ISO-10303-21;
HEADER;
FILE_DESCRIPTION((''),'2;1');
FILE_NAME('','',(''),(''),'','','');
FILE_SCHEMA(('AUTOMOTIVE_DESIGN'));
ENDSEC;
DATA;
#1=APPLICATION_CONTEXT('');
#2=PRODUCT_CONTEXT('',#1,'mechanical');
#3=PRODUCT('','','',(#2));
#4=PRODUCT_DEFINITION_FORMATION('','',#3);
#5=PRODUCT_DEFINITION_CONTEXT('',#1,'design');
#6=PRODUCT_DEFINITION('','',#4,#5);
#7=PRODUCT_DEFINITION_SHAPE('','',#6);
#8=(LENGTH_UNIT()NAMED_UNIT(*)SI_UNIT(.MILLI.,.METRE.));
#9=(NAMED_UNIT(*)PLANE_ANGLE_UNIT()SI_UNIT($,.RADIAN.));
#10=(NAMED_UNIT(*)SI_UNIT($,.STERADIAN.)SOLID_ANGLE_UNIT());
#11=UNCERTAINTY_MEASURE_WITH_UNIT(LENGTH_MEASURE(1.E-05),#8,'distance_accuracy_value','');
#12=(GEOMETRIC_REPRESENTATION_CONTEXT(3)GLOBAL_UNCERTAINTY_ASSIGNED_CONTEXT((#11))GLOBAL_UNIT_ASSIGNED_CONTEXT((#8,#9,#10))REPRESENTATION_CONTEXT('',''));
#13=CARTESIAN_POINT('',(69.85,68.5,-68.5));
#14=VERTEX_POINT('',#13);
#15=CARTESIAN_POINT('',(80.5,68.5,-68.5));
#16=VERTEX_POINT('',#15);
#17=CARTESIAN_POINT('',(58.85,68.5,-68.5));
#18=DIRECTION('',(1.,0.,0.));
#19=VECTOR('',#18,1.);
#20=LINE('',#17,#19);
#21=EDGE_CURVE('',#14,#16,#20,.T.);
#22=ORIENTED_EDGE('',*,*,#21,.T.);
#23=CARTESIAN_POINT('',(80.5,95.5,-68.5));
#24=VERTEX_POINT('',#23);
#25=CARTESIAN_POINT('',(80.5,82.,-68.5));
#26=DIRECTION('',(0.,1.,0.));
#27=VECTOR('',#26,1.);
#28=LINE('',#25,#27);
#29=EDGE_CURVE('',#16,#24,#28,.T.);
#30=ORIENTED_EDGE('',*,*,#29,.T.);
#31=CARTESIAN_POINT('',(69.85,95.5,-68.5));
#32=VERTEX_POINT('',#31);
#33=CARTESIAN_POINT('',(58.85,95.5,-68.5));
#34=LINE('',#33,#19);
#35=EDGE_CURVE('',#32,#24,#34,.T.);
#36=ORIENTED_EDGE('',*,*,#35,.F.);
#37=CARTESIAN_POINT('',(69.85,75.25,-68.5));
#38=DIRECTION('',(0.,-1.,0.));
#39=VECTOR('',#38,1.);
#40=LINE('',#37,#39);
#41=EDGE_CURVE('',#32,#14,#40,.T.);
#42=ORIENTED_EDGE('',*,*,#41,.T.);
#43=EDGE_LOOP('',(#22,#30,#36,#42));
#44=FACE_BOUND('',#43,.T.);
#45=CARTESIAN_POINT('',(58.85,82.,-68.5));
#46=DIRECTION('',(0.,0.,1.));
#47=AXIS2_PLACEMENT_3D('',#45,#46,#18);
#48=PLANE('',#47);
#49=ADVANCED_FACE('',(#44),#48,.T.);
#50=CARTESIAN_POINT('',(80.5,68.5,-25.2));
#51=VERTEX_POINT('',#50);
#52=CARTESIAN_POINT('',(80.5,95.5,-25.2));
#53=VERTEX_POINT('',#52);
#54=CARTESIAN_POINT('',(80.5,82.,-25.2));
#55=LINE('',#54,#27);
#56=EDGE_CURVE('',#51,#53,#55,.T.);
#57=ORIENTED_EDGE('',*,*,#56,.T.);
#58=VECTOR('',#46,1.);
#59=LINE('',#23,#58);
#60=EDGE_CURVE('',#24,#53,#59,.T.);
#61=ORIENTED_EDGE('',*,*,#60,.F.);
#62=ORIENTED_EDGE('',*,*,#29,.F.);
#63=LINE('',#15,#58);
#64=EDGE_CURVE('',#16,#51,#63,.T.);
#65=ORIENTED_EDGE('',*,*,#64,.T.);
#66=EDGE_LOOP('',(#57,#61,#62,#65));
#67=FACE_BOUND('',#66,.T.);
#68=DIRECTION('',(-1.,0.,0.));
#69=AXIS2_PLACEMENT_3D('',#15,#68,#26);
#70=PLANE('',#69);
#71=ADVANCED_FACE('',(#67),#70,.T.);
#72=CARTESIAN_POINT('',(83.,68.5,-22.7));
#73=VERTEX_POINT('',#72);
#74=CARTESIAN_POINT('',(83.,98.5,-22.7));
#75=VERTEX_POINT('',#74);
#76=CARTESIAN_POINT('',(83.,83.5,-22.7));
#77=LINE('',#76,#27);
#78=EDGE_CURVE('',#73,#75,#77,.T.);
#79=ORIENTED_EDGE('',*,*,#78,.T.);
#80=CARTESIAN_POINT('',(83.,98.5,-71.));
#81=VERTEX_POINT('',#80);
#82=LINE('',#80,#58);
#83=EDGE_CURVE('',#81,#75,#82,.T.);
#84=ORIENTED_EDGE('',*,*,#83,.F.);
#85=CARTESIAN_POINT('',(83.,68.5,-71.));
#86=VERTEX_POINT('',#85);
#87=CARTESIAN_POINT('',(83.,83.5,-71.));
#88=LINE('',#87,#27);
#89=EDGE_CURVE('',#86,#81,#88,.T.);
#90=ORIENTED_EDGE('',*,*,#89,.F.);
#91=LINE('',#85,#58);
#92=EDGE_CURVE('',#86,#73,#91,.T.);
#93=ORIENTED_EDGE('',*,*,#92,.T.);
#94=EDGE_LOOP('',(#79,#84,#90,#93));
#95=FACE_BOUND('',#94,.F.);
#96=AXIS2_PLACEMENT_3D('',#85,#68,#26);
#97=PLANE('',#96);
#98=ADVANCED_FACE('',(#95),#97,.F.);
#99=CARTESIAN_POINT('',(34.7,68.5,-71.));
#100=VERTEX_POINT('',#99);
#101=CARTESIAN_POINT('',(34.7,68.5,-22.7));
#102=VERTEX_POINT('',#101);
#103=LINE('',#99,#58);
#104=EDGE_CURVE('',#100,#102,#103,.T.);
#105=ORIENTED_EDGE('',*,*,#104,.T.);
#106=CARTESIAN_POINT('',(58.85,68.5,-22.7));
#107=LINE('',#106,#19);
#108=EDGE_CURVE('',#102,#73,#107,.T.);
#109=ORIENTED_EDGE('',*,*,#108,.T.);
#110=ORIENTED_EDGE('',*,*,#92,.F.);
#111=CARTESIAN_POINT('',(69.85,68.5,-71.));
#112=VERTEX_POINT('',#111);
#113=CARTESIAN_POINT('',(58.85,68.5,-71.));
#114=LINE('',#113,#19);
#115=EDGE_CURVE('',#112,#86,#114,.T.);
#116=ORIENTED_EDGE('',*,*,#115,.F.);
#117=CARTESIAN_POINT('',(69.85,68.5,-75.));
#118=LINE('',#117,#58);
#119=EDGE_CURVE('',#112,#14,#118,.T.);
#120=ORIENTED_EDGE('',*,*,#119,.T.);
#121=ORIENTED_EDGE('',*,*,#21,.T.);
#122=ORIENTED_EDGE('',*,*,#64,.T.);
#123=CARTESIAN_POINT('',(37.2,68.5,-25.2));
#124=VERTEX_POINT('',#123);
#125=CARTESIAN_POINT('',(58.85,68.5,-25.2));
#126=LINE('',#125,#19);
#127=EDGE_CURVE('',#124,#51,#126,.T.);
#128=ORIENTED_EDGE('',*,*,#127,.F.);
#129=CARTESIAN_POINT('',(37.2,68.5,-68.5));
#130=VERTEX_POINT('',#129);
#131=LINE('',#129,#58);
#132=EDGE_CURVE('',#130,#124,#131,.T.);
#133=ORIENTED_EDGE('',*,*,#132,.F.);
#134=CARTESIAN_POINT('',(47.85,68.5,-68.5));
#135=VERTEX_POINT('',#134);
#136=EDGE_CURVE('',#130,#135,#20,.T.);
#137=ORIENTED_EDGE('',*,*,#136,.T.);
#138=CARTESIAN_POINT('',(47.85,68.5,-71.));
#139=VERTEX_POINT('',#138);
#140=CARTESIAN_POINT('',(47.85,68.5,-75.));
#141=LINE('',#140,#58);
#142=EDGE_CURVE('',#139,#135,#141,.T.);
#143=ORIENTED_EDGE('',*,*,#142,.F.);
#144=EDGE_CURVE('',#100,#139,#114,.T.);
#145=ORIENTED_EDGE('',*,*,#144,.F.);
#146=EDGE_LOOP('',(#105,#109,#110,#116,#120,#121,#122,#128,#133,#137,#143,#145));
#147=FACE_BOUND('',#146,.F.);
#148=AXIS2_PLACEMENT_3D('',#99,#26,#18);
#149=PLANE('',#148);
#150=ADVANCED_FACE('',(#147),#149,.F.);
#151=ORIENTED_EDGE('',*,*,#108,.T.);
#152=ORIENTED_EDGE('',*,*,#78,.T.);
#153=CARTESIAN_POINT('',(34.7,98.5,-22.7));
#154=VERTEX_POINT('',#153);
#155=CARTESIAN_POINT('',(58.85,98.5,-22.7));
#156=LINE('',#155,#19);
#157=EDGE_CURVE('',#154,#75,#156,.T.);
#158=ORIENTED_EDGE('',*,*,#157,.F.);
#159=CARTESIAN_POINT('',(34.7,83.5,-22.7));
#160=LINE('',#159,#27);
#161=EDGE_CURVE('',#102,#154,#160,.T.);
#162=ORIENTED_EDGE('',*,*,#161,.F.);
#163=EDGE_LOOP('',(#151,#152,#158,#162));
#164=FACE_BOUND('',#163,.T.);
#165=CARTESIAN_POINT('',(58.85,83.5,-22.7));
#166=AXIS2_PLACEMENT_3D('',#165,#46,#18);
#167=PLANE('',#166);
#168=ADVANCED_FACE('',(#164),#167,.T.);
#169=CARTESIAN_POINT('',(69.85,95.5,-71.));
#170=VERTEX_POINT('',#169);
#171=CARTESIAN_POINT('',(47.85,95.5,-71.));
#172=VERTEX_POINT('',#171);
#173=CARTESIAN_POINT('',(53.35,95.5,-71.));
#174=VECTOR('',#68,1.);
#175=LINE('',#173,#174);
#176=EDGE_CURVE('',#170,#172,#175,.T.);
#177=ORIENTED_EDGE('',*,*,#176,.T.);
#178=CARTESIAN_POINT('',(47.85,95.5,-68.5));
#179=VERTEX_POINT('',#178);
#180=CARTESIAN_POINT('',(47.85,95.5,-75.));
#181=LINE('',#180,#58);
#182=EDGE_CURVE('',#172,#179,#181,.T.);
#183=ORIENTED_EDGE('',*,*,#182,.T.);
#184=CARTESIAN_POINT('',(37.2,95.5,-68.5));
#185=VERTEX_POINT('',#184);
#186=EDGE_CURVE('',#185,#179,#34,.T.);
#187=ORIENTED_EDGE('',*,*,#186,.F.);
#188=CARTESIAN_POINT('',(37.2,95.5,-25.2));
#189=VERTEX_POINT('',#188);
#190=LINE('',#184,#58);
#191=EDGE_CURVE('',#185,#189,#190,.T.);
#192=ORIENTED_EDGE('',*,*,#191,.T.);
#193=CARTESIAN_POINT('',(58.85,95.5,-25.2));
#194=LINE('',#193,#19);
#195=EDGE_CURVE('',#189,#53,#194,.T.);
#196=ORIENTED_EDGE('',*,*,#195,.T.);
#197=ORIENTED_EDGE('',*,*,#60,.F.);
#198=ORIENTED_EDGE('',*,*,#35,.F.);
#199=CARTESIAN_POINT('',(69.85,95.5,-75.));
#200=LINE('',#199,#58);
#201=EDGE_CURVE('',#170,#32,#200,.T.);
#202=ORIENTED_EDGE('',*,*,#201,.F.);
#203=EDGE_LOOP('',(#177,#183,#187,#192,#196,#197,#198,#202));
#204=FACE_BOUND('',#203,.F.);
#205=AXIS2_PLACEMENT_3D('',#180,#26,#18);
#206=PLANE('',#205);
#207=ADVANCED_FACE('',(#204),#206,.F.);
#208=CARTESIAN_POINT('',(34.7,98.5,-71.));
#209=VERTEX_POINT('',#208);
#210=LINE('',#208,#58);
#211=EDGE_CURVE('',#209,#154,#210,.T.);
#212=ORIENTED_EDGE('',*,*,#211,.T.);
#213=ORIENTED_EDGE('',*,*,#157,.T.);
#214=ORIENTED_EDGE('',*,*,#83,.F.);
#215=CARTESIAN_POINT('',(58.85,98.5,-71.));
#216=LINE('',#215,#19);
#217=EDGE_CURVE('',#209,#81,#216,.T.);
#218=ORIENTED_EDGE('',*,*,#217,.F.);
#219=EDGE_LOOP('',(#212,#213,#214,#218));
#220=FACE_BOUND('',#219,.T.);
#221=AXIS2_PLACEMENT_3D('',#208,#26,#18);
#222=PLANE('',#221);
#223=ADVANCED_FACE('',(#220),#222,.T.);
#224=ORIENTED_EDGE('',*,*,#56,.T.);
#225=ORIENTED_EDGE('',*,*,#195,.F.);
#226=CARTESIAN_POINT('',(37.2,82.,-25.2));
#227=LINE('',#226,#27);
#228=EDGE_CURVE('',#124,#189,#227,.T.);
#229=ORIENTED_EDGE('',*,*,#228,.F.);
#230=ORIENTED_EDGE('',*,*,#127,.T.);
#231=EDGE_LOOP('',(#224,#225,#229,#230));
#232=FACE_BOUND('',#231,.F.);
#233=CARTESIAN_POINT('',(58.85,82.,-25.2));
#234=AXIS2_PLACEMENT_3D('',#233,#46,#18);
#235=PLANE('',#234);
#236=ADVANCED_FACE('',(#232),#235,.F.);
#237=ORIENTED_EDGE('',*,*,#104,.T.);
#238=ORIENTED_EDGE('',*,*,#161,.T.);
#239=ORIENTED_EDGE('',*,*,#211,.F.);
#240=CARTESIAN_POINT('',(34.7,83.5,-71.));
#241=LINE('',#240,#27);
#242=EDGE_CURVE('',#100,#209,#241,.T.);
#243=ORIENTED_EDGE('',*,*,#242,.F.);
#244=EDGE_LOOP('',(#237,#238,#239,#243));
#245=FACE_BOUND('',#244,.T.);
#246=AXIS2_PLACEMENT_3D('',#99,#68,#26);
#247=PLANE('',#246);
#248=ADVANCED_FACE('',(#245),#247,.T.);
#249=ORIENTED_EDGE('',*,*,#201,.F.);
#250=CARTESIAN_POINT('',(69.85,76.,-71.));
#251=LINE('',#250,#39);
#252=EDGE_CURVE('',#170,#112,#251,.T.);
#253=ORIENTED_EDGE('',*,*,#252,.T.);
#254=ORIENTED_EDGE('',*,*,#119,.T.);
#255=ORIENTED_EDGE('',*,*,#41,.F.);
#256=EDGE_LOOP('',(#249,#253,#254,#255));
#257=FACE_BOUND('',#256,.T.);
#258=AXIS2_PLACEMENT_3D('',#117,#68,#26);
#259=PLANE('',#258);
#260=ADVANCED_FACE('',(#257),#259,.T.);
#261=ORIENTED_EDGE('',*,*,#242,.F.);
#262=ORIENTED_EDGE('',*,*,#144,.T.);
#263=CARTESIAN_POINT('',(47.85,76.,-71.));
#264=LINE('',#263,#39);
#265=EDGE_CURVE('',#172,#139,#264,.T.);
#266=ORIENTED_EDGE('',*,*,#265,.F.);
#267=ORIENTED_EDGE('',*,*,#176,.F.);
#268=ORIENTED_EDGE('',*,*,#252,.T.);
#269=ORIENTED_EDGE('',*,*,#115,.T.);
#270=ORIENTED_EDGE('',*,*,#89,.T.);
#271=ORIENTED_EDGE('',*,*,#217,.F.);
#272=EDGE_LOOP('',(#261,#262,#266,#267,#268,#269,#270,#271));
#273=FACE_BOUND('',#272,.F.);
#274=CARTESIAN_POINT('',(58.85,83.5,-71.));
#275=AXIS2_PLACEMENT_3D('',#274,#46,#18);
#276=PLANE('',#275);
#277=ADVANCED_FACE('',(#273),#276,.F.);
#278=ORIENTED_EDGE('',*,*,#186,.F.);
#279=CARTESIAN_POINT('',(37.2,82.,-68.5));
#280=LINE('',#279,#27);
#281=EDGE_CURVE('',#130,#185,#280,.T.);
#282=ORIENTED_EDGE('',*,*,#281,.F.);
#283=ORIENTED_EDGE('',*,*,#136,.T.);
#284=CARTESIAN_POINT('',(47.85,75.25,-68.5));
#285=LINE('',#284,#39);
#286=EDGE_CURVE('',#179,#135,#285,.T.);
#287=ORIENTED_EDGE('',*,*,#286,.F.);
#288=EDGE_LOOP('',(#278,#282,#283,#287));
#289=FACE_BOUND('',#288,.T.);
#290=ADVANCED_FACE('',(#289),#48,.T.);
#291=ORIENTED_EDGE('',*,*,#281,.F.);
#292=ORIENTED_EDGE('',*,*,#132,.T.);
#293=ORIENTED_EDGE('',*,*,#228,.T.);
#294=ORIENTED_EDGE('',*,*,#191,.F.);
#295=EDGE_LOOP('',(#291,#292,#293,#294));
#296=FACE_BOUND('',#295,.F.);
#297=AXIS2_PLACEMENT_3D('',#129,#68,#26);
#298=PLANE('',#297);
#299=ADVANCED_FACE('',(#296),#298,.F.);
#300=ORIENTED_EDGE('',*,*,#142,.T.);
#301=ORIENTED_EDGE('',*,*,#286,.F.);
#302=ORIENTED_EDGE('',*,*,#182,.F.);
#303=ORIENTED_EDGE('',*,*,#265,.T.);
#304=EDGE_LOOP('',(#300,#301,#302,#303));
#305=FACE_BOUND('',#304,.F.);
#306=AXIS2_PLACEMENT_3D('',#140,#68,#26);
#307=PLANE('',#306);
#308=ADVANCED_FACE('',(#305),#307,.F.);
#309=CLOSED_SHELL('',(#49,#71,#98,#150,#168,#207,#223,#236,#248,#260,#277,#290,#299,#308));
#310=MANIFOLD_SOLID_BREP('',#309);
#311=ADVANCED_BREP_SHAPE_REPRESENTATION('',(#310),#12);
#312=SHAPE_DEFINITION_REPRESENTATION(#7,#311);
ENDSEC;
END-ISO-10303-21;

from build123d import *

# Parameters (mm, degrees)
BOX019_W     = 22
BOX019_H     = 27
BOX019_DEPTH = 10
BOX016_W     = 43.3
BOX016_H     = 27
BOX016_DEPTH = 43.3
BOX015_W     = 48.3
BOX015_H     = 30
BOX015_DEPTH = 48.3


with BuildPart() as cube:
    # Box019 → Box019 (new body)
    with BuildSketch(Plane(origin=(47.85, 68.5, -75), x_dir=(1, 0, 0), z_dir=(0, 0, 1))):
        with Locations((11, 13.5)):
            Rectangle(BOX019_W, BOX019_H)
    extrude(amount=BOX019_DEPTH)


with BuildPart() as statictraynegative:
    # Box016 → Box016 (new body)
    with BuildSketch(Plane(origin=(93.5, 0, 2.5), x_dir=(1, 0, 0), z_dir=(0, 0, 1))):
        with Locations((21.65, 13.5)):
            Rectangle(BOX016_W, BOX016_H)
    extrude(amount=BOX016_DEPTH)


with BuildPart() as lineartray:
    # Box015 → Box015 (new body)
    with BuildSketch(Plane(origin=(91, 0, 0), x_dir=(1, 0, 0), z_dir=(0, 0, 1))):
        with Locations((24.15, 15)):
            Rectangle(BOX015_W, BOX015_H)
    extrude(amount=BOX015_DEPTH)

    # Cut017: cut StaticTrayNegative
    add(statictraynegative.part, mode=Mode.SUBTRACT)


with BuildPart() as lineartray_1:
    # Cut017 placement: moved
    add(lineartray.part.moved(Location((-56.3, 68.5, -71))))

    # Cut018: cut Cube
    add(cube.part, mode=Mode.SUBTRACT)


solid = lineartray_1.part
